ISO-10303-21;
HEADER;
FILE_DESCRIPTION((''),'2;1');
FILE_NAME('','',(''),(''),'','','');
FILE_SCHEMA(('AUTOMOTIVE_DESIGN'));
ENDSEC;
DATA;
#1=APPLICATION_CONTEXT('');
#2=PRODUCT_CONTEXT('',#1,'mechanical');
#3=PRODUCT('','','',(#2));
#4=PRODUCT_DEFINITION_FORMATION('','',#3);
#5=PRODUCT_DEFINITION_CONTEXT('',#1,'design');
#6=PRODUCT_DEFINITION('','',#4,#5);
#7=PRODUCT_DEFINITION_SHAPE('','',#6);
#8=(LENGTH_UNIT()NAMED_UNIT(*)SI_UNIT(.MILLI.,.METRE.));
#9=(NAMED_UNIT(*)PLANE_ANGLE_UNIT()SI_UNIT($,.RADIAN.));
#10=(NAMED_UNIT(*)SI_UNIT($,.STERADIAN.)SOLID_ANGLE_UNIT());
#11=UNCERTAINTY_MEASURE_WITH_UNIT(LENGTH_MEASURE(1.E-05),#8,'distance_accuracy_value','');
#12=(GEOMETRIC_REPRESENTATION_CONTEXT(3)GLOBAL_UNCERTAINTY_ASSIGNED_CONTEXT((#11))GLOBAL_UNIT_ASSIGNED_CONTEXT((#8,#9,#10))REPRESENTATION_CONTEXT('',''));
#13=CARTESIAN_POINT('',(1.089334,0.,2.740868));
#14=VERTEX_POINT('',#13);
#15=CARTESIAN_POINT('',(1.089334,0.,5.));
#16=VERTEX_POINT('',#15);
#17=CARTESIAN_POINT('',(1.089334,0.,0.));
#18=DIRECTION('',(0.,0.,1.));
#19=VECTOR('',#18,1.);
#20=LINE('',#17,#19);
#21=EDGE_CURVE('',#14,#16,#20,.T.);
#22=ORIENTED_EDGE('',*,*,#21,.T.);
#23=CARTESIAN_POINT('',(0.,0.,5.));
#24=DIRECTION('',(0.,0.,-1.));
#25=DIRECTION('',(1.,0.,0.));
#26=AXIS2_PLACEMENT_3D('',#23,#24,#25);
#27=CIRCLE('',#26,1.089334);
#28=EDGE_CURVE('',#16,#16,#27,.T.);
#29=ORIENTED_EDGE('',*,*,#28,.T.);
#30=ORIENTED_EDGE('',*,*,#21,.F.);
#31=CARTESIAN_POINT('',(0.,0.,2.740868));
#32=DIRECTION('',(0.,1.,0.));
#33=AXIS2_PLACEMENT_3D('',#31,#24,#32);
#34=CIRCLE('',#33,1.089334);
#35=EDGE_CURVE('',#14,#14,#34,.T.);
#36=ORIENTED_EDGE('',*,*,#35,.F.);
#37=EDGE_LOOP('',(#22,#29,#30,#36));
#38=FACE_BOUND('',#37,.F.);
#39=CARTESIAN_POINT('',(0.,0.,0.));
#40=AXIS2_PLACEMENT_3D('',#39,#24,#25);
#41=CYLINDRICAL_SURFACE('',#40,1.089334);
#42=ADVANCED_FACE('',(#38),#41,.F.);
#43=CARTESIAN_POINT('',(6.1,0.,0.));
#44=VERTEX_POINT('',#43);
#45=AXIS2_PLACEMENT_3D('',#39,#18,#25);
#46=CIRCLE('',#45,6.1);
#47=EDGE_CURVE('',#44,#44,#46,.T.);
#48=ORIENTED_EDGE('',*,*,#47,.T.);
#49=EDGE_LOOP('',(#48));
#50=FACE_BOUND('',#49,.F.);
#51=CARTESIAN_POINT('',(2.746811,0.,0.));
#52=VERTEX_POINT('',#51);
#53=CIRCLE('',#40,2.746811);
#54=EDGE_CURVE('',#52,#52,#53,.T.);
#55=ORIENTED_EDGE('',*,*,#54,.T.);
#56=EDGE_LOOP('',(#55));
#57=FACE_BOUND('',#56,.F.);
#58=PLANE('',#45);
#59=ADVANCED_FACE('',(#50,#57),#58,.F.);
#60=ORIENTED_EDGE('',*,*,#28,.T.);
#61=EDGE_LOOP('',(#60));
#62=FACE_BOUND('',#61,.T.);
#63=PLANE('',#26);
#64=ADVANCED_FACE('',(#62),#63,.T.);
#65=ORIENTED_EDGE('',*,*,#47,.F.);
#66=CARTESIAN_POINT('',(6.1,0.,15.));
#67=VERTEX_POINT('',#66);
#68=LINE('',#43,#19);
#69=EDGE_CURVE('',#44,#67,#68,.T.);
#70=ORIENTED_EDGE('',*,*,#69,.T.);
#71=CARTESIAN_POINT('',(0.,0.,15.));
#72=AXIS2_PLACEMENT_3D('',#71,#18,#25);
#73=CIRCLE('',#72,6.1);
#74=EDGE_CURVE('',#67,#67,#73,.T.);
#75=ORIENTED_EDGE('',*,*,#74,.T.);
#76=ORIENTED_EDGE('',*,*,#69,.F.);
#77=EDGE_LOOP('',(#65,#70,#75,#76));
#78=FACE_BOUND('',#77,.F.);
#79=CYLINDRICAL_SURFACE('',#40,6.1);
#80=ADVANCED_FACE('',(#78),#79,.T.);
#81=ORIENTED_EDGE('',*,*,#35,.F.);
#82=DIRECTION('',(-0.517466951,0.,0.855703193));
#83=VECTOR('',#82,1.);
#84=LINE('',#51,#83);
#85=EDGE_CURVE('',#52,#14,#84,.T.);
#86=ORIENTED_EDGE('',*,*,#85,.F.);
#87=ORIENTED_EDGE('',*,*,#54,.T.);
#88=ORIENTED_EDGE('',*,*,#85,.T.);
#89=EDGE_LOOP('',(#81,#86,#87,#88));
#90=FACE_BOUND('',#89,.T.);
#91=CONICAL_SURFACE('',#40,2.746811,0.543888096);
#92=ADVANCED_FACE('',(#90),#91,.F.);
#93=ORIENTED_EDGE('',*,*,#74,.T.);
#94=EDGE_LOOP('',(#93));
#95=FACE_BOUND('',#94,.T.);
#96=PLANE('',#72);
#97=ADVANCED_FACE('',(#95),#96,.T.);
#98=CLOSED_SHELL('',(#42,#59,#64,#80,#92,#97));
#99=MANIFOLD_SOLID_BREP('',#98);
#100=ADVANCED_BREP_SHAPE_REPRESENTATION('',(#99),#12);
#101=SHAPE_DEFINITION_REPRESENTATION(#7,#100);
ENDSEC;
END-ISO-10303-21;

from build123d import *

# Parameters (mm, degrees)
F0_R     = 6.1
F1_DEPTH = 15
F4_R     = 1.089334
F5_DEPTH = 5


with BuildPart() as f1:
    # F0 (on Top) → F1 (new body)
    with BuildSketch(Plane.XY):
        Circle(F0_R)
    extrude(amount=F1_DEPTH)

    # F2 (on Front) → F3 (revolve, cut)
    with BuildSketch(Plane.XZ):
        Polygon((0, 4.542232), (0, 0), (1.185742, 0), align=None)
        Polygon((0, 4.542232), (1.185742, 0), (2.746811, 0), align=None)
    revolve(axis=Axis((0, 0, 2.271116), (0, 0, -1)), mode=Mode.SUBTRACT)

    # F4 (on face) → F5 (cut)
    with BuildSketch(Plane(origin=(0, 0, 0), x_dir=(1, 0, 0), z_dir=(0, 0, -1))):
        Circle(F4_R)
    extrude(amount=-F5_DEPTH, mode=Mode.SUBTRACT)


solid = f1.part
